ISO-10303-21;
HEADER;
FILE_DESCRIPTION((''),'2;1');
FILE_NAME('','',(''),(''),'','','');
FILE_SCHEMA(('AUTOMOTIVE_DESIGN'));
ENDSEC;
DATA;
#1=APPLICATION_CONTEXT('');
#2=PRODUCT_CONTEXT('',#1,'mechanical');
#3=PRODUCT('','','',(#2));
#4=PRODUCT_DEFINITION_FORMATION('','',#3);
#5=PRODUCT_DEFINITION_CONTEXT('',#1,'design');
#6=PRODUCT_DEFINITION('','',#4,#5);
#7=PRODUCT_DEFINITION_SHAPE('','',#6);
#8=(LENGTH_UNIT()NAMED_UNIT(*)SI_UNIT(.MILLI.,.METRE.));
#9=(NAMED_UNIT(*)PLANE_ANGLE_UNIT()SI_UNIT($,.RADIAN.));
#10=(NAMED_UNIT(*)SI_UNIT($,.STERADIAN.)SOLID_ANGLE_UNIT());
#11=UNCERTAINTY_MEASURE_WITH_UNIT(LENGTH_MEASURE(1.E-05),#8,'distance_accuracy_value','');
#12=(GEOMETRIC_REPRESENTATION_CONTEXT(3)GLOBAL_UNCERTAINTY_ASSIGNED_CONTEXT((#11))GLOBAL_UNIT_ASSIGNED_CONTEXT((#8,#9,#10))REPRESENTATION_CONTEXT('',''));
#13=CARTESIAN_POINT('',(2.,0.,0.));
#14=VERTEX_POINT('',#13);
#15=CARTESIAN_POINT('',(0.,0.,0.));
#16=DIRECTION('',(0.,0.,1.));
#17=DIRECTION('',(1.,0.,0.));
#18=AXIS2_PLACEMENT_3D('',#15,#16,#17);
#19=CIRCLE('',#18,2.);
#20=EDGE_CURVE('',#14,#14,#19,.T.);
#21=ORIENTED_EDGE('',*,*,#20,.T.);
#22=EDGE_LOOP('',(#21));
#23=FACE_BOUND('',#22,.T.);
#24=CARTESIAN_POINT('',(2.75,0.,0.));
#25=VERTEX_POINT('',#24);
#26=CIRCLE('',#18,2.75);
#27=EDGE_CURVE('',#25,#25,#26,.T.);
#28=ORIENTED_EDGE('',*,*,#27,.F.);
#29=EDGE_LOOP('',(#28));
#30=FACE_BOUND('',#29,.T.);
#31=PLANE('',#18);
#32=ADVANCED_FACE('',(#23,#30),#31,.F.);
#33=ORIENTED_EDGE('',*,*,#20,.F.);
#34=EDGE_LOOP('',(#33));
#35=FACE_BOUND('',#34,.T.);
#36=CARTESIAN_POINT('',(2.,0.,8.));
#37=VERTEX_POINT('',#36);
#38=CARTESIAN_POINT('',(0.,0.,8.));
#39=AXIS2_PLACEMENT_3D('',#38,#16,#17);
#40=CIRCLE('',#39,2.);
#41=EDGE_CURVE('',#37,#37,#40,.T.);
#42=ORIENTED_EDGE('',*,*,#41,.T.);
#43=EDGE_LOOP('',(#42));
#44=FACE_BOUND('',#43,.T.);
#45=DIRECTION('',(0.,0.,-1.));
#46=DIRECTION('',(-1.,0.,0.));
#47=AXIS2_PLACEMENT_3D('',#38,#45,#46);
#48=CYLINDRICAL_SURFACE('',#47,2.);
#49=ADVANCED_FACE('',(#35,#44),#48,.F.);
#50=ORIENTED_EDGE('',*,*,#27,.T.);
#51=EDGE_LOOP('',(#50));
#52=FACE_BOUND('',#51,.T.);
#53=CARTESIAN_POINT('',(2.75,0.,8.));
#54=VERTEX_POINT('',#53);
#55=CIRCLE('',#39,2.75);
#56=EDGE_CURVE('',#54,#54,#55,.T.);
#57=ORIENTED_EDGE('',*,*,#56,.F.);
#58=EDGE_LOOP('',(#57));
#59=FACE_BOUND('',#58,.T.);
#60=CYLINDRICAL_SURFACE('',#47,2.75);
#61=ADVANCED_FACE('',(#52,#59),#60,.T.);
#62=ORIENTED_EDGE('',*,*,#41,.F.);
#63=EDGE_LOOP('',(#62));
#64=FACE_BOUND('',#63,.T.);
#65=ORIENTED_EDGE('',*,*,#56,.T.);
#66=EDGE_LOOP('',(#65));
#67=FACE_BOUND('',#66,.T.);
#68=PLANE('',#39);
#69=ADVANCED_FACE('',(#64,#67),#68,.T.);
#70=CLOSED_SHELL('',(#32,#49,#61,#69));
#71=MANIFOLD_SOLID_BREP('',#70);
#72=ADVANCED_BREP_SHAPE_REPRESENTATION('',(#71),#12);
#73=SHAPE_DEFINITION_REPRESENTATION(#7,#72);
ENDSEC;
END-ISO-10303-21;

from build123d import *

# Parameters (mm, degrees)
ESBO_O1_R                = 2.75
ESBO_O1_R_2              = 2
RESSALTO_EXTRUS_O1_DEPTH = 8


with BuildPart() as part:
    # Esboço1 → Ressalto-extrusão1 (new body)
    with BuildSketch(Plane.XY):
        Circle(ESBO_O1_R)
        Circle(ESBO_O1_R_2, mode=Mode.SUBTRACT)
    extrude(amount=RESSALTO_EXTRUS_O1_DEPTH)


solid = part.part
